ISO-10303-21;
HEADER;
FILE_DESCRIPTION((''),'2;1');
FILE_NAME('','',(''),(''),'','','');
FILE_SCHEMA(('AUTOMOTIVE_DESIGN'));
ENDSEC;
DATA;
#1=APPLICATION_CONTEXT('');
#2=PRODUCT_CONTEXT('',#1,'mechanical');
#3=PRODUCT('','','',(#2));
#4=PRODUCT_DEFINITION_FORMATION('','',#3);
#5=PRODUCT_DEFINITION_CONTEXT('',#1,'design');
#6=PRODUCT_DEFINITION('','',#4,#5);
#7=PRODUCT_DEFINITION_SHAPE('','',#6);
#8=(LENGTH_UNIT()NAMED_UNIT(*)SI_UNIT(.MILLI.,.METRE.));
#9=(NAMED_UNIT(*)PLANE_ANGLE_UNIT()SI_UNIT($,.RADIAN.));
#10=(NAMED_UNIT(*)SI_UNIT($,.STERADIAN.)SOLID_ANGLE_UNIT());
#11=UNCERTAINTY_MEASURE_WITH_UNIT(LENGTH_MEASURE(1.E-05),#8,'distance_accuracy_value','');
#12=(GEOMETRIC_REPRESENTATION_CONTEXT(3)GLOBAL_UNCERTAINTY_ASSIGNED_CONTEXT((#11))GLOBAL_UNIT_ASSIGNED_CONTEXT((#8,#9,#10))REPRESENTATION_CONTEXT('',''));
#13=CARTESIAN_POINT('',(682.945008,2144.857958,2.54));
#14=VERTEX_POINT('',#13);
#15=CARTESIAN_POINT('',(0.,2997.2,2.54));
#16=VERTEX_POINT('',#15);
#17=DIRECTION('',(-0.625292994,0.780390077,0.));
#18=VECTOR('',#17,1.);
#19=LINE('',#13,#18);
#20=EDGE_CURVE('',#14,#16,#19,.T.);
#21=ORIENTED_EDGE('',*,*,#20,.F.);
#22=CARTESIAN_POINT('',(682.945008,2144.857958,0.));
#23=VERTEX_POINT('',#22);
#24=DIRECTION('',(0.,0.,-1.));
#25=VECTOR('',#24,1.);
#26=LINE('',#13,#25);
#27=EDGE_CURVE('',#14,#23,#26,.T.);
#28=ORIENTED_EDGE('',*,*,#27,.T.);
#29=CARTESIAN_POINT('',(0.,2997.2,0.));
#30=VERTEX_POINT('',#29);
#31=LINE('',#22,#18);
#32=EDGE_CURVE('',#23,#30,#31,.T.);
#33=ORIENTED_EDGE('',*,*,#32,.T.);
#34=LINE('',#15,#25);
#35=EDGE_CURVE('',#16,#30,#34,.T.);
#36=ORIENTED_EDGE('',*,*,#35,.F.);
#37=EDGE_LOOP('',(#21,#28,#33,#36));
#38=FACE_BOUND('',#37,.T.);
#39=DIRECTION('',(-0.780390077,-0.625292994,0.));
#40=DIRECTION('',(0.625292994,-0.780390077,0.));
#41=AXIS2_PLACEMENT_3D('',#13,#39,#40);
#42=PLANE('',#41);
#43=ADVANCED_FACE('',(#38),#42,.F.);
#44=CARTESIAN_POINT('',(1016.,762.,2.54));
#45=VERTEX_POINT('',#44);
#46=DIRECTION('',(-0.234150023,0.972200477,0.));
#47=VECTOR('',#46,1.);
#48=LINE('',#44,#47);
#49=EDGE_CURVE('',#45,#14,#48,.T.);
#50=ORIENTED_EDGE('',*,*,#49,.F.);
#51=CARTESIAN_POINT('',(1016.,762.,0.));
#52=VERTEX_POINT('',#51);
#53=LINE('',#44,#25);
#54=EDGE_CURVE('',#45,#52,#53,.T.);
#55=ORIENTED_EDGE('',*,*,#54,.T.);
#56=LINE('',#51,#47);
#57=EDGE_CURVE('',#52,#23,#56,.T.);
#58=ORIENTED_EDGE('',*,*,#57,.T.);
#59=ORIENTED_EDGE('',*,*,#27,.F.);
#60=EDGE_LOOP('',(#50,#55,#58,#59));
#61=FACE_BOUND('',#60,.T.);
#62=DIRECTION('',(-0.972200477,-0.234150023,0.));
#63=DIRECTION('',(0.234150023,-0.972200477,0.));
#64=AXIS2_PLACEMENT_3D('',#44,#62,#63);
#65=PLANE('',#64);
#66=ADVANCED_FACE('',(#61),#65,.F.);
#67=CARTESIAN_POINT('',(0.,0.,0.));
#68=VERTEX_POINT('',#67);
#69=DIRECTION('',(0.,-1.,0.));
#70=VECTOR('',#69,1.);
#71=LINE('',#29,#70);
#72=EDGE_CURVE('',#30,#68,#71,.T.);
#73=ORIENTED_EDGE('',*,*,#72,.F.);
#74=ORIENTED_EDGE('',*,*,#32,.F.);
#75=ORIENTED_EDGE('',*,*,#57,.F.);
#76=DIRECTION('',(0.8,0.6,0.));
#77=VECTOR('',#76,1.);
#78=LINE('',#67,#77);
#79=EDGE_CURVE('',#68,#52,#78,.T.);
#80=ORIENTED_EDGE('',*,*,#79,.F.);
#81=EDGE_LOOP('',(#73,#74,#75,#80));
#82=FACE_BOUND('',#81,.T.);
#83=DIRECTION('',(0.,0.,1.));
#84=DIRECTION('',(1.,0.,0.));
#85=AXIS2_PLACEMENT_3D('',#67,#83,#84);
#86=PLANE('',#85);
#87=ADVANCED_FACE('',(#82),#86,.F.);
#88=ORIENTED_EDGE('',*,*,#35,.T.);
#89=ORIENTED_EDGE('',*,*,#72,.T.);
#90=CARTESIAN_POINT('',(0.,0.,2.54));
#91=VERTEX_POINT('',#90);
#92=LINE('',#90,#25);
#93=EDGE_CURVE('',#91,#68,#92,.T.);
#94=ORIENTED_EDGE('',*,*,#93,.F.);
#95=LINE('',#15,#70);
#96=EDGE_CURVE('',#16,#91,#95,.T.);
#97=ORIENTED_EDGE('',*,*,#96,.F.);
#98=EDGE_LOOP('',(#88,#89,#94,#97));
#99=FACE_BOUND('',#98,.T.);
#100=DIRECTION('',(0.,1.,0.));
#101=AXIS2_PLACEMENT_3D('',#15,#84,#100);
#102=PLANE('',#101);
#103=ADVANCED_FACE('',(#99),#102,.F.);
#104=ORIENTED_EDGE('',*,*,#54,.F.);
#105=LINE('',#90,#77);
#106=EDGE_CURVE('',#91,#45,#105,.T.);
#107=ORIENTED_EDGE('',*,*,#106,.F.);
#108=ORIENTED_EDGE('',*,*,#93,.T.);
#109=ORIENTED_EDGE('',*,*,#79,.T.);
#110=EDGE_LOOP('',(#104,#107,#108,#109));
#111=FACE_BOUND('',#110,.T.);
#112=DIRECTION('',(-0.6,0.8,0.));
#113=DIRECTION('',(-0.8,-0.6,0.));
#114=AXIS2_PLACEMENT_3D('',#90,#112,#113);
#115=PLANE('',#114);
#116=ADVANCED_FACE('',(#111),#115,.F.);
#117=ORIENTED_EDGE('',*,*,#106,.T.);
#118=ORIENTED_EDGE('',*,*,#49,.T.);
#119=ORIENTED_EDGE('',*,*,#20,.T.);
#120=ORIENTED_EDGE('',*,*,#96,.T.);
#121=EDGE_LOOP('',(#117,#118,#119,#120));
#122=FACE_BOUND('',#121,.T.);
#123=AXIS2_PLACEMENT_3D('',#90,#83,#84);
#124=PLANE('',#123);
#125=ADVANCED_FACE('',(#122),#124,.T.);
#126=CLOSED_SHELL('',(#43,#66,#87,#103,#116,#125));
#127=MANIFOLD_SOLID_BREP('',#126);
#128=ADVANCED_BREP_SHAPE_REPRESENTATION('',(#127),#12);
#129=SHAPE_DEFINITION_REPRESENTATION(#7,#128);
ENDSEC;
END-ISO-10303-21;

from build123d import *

# Parameters (mm, degrees)
BOSS_EXTRUDE1_DEPTH = 2.54


with BuildPart() as part:
    # Sketch1 → Boss-Extrude1 (new body)
    with BuildSketch(Plane.XY):
        Polygon((0, 0), (1016, 762), (682.945007657, 2144.857958026), (0, 2997.2), align=None)
    extrude(amount=BOSS_EXTRUDE1_DEPTH)


solid = part.part
